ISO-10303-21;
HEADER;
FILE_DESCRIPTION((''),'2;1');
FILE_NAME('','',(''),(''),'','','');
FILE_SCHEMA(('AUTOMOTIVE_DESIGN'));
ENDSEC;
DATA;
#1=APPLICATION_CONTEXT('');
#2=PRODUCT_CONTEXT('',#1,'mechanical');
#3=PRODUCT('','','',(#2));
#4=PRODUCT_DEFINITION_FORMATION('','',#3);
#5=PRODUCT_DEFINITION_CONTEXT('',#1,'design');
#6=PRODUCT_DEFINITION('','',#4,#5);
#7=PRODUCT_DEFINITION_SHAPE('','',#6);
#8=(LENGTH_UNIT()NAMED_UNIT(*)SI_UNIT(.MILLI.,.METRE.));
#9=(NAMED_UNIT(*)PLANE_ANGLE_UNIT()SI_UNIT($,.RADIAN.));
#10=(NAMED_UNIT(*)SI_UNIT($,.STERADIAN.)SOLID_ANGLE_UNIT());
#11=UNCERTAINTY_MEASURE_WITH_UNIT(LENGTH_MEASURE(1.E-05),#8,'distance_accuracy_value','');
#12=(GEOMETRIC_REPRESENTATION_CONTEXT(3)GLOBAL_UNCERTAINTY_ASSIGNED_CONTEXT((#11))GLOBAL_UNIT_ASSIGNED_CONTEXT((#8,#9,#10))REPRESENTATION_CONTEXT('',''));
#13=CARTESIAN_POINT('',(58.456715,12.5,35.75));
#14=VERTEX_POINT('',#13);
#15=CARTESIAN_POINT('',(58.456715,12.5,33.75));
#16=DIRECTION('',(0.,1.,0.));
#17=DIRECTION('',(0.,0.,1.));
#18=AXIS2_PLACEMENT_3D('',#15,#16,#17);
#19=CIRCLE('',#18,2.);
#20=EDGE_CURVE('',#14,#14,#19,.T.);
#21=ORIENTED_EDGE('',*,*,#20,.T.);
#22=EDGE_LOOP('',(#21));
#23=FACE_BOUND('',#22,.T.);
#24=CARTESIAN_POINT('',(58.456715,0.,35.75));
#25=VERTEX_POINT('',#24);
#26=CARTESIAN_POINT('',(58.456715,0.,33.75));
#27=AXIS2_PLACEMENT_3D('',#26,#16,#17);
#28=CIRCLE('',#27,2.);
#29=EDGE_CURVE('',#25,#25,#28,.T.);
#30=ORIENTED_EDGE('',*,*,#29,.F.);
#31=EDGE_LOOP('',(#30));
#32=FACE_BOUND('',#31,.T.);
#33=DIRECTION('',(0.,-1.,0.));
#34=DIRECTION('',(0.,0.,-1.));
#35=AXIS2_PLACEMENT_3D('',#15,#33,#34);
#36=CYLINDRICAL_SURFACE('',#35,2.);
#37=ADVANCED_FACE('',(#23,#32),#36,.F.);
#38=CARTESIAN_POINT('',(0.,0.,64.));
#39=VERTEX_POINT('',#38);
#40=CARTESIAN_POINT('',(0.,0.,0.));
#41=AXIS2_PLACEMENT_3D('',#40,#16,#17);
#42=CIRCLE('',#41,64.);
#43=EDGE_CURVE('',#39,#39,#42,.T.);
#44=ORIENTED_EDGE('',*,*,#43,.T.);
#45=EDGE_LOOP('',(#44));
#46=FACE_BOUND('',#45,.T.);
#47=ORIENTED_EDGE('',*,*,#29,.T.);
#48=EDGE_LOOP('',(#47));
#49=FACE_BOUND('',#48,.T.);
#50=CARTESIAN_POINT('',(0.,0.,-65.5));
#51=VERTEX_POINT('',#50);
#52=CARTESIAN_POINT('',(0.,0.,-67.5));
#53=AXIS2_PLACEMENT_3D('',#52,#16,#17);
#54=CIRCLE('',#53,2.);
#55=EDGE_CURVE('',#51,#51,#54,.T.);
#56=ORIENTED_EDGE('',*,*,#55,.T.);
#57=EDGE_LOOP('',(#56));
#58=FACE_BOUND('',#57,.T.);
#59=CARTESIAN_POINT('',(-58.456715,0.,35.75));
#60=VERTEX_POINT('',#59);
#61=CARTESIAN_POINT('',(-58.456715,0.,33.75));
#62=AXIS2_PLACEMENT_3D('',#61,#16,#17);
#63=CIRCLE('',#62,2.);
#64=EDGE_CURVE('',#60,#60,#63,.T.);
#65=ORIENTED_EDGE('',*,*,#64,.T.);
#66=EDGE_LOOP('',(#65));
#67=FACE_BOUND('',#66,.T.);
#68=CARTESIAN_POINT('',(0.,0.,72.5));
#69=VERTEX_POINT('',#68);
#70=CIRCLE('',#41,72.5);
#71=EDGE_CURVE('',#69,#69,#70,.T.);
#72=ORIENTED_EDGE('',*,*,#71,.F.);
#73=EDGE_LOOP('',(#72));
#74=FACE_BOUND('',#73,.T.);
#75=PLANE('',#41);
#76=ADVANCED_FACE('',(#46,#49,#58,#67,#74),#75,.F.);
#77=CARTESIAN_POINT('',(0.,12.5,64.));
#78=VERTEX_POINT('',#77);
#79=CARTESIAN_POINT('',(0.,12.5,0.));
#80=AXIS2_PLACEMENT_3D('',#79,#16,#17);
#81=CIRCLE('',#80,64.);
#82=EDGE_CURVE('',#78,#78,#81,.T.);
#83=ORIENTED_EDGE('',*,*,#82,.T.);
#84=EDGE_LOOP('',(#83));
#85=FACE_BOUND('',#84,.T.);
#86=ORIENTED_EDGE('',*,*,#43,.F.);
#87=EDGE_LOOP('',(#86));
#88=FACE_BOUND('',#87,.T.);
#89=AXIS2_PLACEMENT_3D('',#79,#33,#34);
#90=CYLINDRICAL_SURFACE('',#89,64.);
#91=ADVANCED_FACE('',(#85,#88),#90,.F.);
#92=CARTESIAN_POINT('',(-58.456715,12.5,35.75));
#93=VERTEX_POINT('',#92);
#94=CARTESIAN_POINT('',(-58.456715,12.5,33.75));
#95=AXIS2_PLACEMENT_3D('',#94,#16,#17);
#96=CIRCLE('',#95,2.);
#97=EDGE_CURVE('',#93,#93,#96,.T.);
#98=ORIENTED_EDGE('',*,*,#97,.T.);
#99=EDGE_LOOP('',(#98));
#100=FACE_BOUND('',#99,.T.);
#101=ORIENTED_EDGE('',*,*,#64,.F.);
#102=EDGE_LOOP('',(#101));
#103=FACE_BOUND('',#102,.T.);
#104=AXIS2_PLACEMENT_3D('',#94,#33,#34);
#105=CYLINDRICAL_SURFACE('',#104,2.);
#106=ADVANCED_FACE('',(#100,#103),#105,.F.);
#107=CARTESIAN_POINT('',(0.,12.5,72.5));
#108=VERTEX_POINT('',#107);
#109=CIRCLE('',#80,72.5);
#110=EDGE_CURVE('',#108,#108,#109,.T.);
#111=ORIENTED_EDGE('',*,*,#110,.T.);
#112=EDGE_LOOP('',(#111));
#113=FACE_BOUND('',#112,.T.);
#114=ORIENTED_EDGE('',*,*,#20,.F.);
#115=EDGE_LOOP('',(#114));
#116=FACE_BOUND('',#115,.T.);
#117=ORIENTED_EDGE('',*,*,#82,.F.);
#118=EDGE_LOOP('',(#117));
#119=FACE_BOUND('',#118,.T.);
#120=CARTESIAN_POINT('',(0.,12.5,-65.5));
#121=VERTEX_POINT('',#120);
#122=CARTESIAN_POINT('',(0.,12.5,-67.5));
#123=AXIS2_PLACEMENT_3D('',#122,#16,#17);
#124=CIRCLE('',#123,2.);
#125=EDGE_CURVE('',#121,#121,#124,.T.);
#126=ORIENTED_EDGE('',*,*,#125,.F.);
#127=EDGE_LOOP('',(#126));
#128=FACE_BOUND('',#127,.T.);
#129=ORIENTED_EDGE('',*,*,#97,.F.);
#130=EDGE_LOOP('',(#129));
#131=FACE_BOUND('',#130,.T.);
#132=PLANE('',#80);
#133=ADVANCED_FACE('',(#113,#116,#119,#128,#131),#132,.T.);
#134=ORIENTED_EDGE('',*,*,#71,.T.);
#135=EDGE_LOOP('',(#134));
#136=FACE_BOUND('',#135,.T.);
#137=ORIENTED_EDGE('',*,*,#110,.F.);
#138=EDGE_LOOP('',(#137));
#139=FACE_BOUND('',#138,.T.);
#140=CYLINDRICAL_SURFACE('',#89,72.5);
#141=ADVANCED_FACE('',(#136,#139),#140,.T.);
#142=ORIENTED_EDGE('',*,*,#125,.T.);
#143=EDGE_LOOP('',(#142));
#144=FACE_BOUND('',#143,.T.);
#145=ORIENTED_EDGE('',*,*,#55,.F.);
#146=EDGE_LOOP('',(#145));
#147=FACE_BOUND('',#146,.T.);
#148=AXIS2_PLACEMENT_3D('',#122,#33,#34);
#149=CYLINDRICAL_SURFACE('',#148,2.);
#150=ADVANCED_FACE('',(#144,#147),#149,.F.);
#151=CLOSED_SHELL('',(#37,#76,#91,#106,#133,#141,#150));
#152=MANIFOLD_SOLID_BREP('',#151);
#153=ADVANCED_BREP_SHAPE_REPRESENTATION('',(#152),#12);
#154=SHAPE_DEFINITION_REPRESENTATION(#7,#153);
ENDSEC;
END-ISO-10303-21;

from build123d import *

# Parameters (mm, degrees)
SKETCH1_R           = 72.5
SKETCH1_R_2         = 64
SKETCH1_R_3         = 2
BOSS_EXTRUDE1_DEPTH = 12.5


with BuildPart() as part:
    # Sketch1 → Boss-Extrude1 (new body)
    with BuildSketch(Plane(origin=(0, 0, 0), x_dir=(1, 0, 0), z_dir=(0, 1, 0))):
        with Locations(Location((0, 0, 0), (0, 0, 270))):
            Circle(SKETCH1_R)
        with Locations(Location((0, 0, 0), (0, 0, 270))):
            Circle(SKETCH1_R_2, mode=Mode.SUBTRACT)
        with Locations(Location((0, 67.5, 0), (0, 0, 270))):
            Circle(SKETCH1_R_3, mode=Mode.SUBTRACT)
        with Locations(Location((58.456714755, -33.75, 0), (0, 0, 270))):
            Circle(SKETCH1_R_3, mode=Mode.SUBTRACT)
        with Locations(Location((-58.456714755, -33.75, 0), (0, 0, 270))):
            Circle(SKETCH1_R_3, mode=Mode.SUBTRACT)
    extrude(amount=BOSS_EXTRUDE1_DEPTH)


solid = part.part
